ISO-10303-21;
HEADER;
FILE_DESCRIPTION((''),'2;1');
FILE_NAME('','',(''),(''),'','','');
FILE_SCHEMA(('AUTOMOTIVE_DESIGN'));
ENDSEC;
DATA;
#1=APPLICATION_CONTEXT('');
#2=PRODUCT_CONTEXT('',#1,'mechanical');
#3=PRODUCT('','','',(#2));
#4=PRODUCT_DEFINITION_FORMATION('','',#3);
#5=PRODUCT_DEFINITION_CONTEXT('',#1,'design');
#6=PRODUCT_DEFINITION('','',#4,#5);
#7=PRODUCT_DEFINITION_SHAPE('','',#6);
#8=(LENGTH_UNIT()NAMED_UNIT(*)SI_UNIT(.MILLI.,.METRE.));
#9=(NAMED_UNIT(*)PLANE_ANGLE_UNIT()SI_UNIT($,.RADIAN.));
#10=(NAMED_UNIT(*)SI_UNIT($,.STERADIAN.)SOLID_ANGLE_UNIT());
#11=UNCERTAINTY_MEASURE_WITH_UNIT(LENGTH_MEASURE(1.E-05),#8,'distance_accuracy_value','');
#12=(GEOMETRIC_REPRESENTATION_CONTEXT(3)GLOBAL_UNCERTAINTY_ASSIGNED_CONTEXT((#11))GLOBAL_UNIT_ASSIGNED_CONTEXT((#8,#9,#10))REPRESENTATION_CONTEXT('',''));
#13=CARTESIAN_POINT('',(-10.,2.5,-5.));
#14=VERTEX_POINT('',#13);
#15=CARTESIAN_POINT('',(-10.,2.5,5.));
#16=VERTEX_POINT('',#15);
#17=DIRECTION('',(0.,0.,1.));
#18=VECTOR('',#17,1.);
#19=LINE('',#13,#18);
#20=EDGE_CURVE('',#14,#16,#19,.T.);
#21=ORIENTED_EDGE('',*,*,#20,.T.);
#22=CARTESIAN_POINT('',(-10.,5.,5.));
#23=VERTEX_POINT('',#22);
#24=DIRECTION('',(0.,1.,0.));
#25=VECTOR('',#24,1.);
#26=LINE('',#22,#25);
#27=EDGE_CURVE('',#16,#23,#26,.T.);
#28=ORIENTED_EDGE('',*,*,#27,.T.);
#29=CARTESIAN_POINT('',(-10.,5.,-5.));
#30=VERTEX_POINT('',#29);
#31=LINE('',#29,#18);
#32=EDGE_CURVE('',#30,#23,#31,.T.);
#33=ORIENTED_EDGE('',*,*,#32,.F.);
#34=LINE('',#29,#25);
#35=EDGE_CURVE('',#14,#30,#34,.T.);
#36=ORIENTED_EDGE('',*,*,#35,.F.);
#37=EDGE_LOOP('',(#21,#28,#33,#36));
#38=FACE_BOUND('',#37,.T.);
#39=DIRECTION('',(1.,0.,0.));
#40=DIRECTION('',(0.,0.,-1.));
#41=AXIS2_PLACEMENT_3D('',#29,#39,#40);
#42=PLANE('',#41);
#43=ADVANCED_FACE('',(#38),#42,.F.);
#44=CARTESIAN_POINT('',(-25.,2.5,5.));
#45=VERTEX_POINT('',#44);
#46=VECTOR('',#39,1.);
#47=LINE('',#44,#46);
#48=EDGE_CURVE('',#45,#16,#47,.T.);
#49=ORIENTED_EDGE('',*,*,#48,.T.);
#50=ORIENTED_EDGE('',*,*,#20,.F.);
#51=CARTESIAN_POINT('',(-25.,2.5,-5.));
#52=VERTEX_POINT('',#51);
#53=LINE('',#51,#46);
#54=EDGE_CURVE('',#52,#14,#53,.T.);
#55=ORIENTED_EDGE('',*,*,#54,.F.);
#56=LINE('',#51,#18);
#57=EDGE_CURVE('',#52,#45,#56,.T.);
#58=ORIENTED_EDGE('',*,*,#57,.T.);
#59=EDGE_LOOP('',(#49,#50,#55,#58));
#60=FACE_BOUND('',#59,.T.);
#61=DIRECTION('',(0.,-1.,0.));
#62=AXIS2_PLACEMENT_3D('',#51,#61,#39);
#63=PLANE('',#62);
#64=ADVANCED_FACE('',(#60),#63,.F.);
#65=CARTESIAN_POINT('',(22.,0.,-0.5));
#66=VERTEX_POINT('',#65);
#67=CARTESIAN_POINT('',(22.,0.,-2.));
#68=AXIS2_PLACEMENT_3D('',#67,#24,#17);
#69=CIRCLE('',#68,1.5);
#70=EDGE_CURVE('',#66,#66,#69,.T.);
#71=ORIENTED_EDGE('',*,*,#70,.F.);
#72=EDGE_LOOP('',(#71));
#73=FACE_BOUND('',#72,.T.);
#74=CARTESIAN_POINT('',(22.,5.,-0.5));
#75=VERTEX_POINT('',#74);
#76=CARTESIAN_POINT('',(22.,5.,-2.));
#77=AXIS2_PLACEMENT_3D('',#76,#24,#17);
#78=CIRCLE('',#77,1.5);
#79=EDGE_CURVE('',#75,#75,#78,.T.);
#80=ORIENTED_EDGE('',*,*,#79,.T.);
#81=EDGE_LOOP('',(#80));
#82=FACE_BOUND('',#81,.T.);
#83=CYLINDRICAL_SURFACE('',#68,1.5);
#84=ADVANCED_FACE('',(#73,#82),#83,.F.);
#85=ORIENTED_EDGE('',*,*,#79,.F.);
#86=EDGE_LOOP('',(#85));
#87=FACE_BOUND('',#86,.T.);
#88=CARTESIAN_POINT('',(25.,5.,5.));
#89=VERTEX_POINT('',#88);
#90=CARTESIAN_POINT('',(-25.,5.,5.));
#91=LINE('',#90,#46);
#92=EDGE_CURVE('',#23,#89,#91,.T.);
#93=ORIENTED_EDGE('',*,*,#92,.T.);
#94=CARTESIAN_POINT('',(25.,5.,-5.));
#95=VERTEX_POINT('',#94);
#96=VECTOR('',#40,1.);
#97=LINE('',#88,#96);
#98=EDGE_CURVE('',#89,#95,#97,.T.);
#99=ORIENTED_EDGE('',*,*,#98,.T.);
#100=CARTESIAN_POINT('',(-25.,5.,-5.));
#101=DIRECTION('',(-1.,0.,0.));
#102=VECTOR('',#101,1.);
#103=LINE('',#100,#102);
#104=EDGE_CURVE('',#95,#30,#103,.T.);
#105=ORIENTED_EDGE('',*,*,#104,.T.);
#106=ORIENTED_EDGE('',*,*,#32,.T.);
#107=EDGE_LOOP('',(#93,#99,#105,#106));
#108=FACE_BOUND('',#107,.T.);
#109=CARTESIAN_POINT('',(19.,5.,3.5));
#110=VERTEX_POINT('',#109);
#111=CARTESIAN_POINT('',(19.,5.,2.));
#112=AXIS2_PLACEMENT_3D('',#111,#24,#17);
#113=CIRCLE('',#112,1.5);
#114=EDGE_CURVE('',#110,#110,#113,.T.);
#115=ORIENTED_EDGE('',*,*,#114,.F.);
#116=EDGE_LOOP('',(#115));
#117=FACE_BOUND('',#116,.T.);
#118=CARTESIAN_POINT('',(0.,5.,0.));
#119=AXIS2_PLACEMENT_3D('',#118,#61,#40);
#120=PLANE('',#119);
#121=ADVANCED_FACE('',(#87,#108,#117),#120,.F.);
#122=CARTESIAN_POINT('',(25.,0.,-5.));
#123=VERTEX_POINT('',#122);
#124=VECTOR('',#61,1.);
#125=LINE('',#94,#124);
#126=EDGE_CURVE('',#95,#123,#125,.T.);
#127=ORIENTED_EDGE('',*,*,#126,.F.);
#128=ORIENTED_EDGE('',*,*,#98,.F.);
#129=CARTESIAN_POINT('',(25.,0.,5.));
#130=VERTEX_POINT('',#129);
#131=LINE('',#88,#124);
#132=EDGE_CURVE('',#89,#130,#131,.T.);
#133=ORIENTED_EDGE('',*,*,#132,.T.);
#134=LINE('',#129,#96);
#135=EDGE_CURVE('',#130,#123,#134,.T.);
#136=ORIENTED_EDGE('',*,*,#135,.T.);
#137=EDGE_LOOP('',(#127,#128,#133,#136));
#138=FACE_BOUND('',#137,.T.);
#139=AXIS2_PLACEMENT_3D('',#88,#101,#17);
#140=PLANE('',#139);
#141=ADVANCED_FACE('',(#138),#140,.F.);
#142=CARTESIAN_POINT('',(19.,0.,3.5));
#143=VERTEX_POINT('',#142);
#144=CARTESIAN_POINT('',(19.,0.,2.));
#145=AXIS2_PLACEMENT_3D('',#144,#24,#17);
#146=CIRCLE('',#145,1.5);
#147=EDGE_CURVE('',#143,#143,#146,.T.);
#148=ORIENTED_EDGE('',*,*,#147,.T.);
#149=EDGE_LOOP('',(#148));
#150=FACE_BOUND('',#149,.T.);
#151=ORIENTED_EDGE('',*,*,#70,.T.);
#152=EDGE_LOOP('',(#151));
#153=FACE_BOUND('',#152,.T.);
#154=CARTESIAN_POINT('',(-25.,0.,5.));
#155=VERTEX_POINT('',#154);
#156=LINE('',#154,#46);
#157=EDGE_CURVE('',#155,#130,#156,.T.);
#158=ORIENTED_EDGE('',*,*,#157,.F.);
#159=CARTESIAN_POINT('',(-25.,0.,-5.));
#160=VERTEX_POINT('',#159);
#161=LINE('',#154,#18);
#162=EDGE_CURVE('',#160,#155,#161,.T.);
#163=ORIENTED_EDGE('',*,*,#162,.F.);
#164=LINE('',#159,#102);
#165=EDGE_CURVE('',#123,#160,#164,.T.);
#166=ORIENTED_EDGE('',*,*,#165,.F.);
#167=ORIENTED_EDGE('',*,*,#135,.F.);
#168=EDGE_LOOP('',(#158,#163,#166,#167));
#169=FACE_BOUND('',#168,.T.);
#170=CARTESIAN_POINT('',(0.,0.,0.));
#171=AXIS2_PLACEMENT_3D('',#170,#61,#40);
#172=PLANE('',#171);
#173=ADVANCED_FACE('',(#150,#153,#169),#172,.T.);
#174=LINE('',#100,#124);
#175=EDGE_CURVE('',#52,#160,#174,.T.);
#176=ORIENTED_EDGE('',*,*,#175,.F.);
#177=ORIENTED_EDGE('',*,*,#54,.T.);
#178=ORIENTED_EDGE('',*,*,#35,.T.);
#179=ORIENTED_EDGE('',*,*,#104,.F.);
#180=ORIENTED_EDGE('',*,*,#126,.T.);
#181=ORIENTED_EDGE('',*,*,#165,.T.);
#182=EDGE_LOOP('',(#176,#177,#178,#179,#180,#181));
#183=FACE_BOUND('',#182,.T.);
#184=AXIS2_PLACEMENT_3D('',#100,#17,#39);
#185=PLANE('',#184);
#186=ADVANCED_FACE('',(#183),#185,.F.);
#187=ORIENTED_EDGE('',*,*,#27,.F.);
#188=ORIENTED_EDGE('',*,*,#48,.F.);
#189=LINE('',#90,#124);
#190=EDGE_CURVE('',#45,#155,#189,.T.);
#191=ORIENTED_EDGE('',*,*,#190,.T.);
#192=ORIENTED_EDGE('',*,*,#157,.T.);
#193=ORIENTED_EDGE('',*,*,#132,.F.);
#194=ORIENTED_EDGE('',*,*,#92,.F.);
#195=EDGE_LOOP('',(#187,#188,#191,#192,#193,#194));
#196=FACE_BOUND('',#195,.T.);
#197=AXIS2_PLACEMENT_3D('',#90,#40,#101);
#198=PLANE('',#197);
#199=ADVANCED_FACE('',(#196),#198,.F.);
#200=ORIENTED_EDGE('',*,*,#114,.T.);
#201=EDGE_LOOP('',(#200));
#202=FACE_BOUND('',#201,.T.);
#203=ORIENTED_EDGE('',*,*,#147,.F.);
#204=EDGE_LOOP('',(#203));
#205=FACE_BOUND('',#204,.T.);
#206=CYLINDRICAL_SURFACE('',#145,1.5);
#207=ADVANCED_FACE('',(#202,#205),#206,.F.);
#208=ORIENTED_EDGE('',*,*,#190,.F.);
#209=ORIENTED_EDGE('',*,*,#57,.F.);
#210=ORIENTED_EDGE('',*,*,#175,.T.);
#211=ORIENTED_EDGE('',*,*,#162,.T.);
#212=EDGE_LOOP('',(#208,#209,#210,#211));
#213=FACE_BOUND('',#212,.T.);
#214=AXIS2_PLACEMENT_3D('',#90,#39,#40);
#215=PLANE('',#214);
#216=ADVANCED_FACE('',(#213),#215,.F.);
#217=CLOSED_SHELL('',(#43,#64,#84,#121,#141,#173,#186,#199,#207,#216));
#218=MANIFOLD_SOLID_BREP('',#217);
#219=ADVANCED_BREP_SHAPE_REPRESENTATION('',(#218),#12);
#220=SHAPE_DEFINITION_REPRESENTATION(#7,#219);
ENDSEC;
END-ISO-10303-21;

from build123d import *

# Parameters (mm, degrees)
SKETCH_1_W          = 50
SKETCH_1_H          = 10
EXTRUDE_1_DEPTH     = 5
SKETCH_2_R          = 1.5
CUT_EXTRUDE_1_DEPTH = 26.980762114
SKETCH_3_W          = 15
SKETCH_3_H          = 2.5
CUT_EXTRUDE_2_DEPTH = 28.386127875


with BuildPart() as part:
    # 草图1 → 凸台-拉伸1 (new body)
    with BuildSketch(Plane(origin=(0, 0, 0), x_dir=(1, 0, 0), z_dir=(0, 1, 0))):
        Rectangle(SKETCH_1_W, SKETCH_1_H)
    extrude(amount=EXTRUDE_1_DEPTH)

    # 草图2 → 切除-拉伸1 (cut, through all)
    with BuildSketch(Plane(origin=(0, 5, 0), x_dir=(1, 0, 0), z_dir=(0, 1, 0))):
        with Locations(Location((22, 2, 0), (0, 0, 270))):
            Circle(SKETCH_2_R)
        with Locations(Location((19, -2, 0), (0, 0, 270))):
            Circle(SKETCH_2_R)
    extrude(amount=-CUT_EXTRUDE_1_DEPTH, mode=Mode.SUBTRACT)

    # 草图3 → 切除-拉伸2 (cut, through all)
    with BuildSketch(Plane.XY.offset(5)):
        with Locations((-17.5, 3.75)):
            Rectangle(SKETCH_3_W, SKETCH_3_H)
    extrude(amount=-CUT_EXTRUDE_2_DEPTH, mode=Mode.SUBTRACT)


solid = part.part
